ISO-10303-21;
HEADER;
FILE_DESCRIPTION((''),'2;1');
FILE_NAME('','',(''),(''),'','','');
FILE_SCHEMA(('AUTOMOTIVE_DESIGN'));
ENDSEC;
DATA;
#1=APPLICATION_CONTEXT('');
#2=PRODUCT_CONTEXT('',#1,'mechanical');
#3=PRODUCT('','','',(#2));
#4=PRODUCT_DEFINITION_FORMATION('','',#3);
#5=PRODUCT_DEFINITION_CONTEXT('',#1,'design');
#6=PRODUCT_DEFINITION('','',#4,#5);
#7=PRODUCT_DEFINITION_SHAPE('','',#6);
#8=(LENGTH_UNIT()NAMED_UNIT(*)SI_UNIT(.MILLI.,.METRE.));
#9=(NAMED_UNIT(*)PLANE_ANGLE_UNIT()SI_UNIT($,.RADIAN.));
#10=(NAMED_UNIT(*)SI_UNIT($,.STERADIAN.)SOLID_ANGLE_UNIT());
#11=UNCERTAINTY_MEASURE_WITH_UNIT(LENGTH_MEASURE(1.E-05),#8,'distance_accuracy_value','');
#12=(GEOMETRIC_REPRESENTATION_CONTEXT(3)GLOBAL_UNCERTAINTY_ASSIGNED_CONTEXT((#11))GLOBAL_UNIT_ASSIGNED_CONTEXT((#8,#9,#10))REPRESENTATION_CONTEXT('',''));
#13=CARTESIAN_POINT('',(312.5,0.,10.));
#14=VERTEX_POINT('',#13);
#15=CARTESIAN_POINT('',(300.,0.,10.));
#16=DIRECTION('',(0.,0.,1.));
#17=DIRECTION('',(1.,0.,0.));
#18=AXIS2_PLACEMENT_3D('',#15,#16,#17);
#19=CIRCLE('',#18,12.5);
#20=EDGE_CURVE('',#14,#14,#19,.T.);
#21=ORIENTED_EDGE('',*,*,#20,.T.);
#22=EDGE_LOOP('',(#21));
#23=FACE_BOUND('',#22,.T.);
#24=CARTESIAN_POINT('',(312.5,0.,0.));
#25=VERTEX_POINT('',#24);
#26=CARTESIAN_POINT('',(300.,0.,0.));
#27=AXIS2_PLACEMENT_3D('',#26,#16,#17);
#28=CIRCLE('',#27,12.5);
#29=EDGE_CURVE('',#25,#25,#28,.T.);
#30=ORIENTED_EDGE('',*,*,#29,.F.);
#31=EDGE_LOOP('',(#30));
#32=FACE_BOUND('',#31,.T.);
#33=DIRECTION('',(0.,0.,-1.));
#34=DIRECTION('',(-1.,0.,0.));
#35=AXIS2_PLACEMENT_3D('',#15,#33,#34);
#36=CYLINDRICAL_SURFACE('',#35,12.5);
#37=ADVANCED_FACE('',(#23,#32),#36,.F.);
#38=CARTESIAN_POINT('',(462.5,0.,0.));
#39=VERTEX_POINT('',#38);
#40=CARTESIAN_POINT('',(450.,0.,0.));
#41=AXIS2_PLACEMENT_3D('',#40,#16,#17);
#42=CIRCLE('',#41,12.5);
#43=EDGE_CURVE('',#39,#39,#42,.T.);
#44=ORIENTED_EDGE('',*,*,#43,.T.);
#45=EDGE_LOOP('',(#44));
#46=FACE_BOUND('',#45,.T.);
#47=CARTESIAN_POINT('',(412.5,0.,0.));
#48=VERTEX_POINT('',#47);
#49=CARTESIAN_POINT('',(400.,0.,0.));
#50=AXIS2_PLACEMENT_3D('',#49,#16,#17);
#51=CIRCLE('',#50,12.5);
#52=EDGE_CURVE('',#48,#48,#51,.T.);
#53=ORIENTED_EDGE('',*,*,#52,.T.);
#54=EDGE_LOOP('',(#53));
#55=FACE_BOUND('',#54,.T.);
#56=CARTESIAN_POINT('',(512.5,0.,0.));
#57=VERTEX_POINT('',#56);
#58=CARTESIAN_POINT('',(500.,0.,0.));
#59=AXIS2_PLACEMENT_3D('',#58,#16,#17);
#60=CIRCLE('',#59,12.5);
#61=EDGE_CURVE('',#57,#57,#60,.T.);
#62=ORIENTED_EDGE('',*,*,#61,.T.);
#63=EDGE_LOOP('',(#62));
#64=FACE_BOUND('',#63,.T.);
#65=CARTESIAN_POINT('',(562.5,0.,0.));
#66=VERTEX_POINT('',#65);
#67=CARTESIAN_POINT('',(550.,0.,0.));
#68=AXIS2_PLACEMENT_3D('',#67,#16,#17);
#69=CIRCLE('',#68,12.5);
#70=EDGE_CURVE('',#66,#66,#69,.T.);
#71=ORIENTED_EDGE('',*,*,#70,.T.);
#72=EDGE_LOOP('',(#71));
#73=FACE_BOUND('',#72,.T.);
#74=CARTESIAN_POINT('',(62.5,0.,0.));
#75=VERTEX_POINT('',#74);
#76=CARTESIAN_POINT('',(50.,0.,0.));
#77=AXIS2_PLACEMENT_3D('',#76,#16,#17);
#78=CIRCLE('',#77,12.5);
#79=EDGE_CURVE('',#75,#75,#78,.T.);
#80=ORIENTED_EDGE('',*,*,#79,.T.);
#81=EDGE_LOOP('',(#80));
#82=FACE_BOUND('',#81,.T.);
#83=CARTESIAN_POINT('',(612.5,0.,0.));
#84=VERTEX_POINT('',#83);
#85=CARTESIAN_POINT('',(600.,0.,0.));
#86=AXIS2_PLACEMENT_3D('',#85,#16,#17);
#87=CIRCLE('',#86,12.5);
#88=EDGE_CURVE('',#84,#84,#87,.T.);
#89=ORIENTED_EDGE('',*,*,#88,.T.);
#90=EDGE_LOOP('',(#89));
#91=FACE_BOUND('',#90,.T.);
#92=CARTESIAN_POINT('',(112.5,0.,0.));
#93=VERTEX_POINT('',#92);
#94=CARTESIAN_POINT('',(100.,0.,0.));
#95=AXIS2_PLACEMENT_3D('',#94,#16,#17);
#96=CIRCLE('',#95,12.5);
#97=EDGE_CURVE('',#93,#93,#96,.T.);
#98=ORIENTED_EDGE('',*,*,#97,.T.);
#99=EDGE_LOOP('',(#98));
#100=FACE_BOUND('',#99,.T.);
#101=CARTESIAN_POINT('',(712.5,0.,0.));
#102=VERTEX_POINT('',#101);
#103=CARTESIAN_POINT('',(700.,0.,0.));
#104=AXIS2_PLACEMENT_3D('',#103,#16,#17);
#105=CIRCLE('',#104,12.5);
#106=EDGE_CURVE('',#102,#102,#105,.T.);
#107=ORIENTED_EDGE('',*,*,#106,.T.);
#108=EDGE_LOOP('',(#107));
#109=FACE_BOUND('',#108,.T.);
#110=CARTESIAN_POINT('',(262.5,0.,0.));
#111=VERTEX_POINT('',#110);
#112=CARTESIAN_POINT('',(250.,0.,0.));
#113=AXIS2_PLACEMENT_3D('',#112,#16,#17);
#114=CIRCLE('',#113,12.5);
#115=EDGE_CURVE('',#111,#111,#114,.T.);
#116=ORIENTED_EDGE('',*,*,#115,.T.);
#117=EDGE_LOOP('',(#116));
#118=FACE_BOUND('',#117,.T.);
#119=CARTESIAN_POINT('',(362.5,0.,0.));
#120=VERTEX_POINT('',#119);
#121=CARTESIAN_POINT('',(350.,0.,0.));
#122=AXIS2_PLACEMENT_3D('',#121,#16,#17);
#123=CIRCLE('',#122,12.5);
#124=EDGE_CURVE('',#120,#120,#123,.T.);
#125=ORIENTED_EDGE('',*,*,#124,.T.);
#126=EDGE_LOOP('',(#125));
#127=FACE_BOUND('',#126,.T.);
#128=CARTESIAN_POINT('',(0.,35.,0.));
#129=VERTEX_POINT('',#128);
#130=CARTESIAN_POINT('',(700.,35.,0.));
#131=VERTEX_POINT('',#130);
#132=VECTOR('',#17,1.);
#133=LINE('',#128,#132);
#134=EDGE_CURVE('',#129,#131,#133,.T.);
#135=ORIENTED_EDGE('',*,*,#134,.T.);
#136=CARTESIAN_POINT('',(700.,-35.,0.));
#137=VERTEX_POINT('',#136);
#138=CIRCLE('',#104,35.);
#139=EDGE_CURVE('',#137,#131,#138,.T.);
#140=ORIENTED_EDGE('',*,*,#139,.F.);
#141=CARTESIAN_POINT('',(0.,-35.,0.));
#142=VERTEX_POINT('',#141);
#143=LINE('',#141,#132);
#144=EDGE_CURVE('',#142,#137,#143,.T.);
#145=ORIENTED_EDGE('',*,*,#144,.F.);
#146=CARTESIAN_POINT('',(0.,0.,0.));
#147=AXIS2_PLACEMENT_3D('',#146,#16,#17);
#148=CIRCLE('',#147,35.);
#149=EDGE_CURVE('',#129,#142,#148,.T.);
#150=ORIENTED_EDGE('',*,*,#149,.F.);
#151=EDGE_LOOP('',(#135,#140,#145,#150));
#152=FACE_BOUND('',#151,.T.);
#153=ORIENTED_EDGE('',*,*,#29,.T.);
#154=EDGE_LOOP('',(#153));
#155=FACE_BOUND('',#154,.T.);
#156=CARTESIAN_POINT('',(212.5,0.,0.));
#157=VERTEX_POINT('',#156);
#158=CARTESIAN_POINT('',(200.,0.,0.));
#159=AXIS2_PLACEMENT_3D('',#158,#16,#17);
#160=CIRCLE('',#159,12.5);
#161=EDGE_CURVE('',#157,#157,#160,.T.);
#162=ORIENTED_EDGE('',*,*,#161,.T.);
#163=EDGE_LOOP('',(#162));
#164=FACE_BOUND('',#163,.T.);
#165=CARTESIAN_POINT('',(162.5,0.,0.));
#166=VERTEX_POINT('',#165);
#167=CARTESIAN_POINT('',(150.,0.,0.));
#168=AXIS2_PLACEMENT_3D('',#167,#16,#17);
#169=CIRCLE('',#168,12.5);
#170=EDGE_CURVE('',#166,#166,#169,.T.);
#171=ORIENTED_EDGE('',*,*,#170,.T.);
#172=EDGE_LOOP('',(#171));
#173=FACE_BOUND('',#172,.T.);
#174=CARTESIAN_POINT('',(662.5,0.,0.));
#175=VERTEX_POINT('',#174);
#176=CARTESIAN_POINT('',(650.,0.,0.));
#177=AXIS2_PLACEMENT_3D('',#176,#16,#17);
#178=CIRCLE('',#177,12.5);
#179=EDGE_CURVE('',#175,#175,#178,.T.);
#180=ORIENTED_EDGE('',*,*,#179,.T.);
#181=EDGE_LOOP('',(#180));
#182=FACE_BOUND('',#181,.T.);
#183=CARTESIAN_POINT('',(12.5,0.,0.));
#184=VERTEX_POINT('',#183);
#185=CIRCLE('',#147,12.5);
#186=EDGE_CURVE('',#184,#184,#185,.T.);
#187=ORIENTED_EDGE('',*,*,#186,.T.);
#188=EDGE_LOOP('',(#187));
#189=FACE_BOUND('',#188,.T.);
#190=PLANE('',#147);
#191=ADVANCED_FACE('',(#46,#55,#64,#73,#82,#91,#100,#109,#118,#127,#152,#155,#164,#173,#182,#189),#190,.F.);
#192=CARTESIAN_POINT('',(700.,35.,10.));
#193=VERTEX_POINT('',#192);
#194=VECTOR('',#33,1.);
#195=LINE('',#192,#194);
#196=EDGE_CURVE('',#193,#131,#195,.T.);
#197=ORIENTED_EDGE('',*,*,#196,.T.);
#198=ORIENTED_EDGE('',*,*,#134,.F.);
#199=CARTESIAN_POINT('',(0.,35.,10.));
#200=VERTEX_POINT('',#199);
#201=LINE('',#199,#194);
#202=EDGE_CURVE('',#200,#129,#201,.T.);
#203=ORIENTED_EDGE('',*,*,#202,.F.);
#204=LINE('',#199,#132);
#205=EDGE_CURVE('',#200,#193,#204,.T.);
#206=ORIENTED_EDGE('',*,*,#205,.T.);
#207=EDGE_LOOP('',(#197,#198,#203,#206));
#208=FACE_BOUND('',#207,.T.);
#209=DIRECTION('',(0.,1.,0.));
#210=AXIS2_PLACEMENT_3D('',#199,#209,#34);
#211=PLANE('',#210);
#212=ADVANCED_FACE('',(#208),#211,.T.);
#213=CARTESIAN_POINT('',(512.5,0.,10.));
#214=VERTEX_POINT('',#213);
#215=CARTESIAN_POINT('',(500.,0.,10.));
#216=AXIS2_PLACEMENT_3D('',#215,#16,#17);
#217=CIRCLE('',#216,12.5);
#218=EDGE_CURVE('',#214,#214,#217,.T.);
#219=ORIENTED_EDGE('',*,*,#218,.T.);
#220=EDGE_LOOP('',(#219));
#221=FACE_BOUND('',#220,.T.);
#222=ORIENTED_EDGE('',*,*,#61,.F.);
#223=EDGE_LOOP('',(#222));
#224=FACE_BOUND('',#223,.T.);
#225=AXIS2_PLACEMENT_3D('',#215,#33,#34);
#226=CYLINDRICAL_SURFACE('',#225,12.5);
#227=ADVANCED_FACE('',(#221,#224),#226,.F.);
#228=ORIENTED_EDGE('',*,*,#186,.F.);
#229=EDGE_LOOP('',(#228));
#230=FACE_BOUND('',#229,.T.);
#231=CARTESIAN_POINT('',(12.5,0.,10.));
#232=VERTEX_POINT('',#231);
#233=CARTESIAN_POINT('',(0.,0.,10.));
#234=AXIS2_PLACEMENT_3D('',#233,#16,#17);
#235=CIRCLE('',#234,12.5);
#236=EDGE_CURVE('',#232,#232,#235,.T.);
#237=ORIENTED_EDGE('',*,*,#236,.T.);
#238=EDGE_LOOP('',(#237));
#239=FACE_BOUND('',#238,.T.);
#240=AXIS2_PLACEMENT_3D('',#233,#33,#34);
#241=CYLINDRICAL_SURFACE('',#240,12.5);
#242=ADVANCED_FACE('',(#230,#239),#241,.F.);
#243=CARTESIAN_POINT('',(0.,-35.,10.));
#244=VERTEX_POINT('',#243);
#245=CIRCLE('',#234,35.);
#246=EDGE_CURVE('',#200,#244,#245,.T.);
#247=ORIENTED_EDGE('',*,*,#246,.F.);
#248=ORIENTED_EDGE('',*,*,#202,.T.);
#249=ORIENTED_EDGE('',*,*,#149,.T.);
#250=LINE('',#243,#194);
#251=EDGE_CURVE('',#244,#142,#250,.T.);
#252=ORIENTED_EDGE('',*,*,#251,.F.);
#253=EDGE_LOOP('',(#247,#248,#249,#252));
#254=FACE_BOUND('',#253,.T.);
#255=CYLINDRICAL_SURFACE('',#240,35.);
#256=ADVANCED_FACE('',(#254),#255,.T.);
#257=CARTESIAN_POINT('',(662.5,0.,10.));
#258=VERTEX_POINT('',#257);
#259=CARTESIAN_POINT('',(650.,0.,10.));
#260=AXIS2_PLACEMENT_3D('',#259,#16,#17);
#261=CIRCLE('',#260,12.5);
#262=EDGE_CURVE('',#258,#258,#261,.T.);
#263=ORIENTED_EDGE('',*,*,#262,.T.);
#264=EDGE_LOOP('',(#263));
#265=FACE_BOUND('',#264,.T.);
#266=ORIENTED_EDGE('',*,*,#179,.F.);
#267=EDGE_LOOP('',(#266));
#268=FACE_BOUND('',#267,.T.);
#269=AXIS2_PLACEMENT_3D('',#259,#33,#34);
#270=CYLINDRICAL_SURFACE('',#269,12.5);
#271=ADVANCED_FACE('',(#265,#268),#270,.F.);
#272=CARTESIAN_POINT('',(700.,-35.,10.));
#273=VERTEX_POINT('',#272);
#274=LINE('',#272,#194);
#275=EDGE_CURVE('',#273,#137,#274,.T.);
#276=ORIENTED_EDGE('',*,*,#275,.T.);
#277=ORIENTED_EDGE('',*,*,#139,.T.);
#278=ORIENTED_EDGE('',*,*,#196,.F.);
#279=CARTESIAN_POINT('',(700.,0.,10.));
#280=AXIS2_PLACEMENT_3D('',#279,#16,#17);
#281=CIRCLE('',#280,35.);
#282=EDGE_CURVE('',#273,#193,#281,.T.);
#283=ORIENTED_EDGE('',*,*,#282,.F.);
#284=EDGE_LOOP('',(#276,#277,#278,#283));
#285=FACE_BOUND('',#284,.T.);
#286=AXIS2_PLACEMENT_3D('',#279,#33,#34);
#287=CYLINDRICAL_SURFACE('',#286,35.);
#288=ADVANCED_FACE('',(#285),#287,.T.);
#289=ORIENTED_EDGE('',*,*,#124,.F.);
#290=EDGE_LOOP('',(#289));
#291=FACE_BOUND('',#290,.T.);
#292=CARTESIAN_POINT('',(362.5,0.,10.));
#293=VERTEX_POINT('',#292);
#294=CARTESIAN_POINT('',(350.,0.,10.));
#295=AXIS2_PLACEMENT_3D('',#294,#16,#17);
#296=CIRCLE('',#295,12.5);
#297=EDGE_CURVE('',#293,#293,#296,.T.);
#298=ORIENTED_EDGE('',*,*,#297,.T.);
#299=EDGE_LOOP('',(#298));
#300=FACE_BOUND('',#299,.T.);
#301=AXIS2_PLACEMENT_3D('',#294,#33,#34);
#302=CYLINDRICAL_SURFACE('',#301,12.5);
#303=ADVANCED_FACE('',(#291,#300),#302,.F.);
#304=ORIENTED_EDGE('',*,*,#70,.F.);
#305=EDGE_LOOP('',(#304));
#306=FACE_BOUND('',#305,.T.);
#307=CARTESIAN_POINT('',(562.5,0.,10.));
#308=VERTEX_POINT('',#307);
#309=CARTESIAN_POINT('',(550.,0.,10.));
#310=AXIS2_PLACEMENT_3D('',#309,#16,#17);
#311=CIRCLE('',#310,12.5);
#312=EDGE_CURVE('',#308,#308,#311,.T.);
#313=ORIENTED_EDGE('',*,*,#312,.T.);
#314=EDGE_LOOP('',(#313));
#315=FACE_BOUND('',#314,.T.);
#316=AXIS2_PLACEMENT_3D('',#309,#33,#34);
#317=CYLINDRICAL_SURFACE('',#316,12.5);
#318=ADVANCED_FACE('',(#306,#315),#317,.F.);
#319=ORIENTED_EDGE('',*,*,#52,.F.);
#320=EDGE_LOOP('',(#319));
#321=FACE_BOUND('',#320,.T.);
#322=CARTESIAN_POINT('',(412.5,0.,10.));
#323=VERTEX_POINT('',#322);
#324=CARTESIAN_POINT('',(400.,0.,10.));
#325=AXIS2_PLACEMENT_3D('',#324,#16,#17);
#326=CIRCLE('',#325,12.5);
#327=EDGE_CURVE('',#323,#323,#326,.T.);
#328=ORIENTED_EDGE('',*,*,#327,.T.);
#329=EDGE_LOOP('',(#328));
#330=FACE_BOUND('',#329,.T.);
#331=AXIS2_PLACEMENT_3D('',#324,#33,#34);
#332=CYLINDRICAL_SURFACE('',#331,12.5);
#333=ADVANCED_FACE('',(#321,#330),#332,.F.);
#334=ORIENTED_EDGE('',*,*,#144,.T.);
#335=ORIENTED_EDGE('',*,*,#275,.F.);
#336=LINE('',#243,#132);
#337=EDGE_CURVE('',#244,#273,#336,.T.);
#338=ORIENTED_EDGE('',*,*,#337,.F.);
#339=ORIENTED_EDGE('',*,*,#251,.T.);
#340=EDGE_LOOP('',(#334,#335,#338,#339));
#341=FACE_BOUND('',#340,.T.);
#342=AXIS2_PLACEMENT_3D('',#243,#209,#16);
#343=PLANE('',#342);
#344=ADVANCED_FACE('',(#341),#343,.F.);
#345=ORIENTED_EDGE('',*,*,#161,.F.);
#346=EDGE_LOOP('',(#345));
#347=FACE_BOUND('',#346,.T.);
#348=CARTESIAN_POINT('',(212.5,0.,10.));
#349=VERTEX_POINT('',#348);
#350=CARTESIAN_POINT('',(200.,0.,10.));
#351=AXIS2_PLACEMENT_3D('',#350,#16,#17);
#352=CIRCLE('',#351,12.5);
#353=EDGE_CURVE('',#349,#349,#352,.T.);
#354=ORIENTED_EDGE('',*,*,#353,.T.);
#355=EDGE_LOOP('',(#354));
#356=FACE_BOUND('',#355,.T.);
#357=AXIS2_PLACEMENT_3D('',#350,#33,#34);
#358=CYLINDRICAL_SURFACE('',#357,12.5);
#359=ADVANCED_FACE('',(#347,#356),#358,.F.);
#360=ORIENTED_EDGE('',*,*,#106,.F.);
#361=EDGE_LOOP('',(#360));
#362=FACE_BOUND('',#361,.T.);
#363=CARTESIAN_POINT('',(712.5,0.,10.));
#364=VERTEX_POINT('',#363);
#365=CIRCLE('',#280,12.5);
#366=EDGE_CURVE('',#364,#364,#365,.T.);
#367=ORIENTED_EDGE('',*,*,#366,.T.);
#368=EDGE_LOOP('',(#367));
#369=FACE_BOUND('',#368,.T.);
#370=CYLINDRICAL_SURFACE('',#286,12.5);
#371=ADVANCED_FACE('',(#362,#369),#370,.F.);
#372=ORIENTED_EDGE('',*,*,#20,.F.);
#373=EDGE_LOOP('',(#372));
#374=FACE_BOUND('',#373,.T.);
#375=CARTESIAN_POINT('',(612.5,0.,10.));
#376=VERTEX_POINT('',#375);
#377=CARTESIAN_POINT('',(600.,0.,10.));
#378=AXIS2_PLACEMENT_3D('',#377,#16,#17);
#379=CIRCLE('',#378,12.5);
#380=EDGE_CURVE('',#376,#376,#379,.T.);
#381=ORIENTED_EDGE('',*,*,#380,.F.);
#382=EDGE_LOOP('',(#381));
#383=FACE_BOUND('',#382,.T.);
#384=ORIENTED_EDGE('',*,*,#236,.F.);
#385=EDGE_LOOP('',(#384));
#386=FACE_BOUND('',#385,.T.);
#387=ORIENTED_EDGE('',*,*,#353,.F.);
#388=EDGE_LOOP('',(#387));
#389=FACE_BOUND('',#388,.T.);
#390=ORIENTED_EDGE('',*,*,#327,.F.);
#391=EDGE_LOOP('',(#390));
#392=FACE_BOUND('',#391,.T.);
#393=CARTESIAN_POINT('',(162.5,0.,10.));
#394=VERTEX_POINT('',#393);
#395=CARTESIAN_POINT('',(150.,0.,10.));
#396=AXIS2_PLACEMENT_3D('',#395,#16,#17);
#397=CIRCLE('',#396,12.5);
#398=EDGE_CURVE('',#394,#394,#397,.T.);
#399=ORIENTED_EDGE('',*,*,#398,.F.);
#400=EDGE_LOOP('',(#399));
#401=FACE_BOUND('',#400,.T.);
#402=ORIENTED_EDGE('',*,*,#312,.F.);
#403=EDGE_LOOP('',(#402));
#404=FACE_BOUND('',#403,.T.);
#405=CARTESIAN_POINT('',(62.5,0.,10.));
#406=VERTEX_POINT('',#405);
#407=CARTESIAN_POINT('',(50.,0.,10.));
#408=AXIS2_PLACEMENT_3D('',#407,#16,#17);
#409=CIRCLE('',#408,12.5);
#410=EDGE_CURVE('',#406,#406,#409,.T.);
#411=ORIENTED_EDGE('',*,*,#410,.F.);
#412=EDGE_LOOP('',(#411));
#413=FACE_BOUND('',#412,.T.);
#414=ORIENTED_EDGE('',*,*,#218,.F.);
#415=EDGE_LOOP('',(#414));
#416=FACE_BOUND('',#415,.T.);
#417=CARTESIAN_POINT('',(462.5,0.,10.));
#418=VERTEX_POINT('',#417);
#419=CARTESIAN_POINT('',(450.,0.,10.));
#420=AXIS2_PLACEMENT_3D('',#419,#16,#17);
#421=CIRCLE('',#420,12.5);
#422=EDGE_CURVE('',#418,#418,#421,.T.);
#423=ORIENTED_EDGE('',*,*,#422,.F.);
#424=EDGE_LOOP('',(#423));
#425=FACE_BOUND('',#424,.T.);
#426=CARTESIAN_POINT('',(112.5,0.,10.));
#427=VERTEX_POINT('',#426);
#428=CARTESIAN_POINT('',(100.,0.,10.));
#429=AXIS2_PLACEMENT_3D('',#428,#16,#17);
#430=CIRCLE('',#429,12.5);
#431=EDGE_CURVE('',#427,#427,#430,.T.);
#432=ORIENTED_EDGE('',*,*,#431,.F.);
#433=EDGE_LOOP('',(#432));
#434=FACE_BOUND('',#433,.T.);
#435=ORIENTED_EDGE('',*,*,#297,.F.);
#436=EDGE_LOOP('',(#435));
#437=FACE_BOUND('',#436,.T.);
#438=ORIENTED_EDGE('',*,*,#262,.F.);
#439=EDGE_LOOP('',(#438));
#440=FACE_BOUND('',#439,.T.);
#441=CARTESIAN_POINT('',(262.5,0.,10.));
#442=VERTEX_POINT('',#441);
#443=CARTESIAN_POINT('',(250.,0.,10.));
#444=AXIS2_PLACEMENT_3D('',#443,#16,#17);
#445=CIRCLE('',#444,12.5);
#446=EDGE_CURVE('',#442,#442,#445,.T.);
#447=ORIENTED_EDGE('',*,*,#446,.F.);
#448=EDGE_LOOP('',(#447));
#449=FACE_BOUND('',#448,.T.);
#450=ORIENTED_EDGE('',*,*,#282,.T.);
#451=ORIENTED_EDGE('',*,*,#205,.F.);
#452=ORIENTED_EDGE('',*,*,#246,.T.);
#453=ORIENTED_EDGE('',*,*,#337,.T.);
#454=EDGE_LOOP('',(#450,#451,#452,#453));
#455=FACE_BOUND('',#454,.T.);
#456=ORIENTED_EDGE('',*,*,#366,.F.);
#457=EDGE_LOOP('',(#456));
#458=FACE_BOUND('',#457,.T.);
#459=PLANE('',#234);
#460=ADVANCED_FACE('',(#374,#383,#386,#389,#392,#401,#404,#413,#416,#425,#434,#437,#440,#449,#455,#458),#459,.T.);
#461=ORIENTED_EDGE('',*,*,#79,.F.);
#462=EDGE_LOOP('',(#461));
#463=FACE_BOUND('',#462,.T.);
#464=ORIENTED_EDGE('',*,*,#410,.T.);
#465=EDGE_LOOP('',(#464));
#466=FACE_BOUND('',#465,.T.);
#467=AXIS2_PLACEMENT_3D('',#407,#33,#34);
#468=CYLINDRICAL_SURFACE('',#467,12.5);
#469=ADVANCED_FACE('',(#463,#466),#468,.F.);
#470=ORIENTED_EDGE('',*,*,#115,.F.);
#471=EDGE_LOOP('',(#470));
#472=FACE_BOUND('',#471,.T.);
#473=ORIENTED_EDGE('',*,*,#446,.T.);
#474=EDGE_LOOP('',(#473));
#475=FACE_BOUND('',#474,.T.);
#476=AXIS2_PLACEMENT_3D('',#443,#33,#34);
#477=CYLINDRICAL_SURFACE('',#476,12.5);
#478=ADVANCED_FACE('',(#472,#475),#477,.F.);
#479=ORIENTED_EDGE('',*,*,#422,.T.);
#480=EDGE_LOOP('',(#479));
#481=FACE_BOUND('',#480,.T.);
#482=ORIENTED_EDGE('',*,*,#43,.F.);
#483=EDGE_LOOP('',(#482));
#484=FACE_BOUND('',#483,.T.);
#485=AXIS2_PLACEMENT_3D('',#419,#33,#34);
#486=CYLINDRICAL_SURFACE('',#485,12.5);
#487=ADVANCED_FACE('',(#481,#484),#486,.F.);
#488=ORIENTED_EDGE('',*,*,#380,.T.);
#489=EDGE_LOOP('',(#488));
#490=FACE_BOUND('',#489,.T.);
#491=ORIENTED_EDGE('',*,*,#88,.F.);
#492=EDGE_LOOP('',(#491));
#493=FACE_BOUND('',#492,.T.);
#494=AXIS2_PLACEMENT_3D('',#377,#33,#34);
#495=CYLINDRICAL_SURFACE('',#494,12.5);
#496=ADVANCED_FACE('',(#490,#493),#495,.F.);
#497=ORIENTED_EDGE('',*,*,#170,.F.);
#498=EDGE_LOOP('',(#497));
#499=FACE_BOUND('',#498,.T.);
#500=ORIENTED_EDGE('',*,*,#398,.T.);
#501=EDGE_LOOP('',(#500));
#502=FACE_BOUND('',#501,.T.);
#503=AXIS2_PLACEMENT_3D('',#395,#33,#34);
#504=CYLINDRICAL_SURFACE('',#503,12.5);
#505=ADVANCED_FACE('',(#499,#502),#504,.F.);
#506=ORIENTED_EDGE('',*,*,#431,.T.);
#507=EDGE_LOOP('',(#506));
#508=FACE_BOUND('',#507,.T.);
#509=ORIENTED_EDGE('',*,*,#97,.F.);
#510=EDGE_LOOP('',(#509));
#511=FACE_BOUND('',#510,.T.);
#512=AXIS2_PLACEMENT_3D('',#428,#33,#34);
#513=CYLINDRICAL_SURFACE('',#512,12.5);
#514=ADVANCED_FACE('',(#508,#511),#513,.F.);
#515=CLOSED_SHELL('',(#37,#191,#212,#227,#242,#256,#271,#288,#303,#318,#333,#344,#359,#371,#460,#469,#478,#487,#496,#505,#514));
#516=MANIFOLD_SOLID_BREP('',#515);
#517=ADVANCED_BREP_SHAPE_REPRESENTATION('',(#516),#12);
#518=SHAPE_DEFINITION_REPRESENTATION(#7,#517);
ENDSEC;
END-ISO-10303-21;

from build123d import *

# Parameters (mm, degrees)
SKETCH1_R           = 12.5
BOSS_EXTRUDE1_DEPTH = 10


with BuildPart() as part:
    # Sketch1 → Boss-Extrude1 (new body)
    with BuildSketch(Plane.XY):
        with BuildLine():
            Line((0, 35), (700, 35))
            ThreePointArc((700, 35), (735, 0), (700, -35))
            Line((700, -35), (0, -35))
            ThreePointArc((0, -35), (-35, 0), (0, 35))
        make_face()
        Circle(SKETCH1_R, mode=Mode.SUBTRACT)
        with Locations((50, 0)):
            Circle(SKETCH1_R, mode=Mode.SUBTRACT)
        with Locations((100, 0)):
            Circle(SKETCH1_R, mode=Mode.SUBTRACT)
        with Locations((150, 0)):
            Circle(SKETCH1_R, mode=Mode.SUBTRACT)
        with Locations((200, 0)):
            Circle(SKETCH1_R, mode=Mode.SUBTRACT)
        with Locations((250, 0)):
            Circle(SKETCH1_R, mode=Mode.SUBTRACT)
        with Locations((300, 0)):
            Circle(SKETCH1_R, mode=Mode.SUBTRACT)
        with Locations((350, 0)):
            Circle(SKETCH1_R, mode=Mode.SUBTRACT)
        with Locations((400, 0)):
            Circle(SKETCH1_R, mode=Mode.SUBTRACT)
        with Locations((450, 0)):
            Circle(SKETCH1_R, mode=Mode.SUBTRACT)
        with Locations((500, 0)):
            Circle(SKETCH1_R, mode=Mode.SUBTRACT)
        with Locations((550, 0)):
            Circle(SKETCH1_R, mode=Mode.SUBTRACT)
        with Locations((600, 0)):
            Circle(SKETCH1_R, mode=Mode.SUBTRACT)
        with Locations((650, 0)):
            Circle(SKETCH1_R, mode=Mode.SUBTRACT)
        with Locations((700, 0)):
            Circle(SKETCH1_R, mode=Mode.SUBTRACT)
    extrude(amount=BOSS_EXTRUDE1_DEPTH)


solid = part.part
